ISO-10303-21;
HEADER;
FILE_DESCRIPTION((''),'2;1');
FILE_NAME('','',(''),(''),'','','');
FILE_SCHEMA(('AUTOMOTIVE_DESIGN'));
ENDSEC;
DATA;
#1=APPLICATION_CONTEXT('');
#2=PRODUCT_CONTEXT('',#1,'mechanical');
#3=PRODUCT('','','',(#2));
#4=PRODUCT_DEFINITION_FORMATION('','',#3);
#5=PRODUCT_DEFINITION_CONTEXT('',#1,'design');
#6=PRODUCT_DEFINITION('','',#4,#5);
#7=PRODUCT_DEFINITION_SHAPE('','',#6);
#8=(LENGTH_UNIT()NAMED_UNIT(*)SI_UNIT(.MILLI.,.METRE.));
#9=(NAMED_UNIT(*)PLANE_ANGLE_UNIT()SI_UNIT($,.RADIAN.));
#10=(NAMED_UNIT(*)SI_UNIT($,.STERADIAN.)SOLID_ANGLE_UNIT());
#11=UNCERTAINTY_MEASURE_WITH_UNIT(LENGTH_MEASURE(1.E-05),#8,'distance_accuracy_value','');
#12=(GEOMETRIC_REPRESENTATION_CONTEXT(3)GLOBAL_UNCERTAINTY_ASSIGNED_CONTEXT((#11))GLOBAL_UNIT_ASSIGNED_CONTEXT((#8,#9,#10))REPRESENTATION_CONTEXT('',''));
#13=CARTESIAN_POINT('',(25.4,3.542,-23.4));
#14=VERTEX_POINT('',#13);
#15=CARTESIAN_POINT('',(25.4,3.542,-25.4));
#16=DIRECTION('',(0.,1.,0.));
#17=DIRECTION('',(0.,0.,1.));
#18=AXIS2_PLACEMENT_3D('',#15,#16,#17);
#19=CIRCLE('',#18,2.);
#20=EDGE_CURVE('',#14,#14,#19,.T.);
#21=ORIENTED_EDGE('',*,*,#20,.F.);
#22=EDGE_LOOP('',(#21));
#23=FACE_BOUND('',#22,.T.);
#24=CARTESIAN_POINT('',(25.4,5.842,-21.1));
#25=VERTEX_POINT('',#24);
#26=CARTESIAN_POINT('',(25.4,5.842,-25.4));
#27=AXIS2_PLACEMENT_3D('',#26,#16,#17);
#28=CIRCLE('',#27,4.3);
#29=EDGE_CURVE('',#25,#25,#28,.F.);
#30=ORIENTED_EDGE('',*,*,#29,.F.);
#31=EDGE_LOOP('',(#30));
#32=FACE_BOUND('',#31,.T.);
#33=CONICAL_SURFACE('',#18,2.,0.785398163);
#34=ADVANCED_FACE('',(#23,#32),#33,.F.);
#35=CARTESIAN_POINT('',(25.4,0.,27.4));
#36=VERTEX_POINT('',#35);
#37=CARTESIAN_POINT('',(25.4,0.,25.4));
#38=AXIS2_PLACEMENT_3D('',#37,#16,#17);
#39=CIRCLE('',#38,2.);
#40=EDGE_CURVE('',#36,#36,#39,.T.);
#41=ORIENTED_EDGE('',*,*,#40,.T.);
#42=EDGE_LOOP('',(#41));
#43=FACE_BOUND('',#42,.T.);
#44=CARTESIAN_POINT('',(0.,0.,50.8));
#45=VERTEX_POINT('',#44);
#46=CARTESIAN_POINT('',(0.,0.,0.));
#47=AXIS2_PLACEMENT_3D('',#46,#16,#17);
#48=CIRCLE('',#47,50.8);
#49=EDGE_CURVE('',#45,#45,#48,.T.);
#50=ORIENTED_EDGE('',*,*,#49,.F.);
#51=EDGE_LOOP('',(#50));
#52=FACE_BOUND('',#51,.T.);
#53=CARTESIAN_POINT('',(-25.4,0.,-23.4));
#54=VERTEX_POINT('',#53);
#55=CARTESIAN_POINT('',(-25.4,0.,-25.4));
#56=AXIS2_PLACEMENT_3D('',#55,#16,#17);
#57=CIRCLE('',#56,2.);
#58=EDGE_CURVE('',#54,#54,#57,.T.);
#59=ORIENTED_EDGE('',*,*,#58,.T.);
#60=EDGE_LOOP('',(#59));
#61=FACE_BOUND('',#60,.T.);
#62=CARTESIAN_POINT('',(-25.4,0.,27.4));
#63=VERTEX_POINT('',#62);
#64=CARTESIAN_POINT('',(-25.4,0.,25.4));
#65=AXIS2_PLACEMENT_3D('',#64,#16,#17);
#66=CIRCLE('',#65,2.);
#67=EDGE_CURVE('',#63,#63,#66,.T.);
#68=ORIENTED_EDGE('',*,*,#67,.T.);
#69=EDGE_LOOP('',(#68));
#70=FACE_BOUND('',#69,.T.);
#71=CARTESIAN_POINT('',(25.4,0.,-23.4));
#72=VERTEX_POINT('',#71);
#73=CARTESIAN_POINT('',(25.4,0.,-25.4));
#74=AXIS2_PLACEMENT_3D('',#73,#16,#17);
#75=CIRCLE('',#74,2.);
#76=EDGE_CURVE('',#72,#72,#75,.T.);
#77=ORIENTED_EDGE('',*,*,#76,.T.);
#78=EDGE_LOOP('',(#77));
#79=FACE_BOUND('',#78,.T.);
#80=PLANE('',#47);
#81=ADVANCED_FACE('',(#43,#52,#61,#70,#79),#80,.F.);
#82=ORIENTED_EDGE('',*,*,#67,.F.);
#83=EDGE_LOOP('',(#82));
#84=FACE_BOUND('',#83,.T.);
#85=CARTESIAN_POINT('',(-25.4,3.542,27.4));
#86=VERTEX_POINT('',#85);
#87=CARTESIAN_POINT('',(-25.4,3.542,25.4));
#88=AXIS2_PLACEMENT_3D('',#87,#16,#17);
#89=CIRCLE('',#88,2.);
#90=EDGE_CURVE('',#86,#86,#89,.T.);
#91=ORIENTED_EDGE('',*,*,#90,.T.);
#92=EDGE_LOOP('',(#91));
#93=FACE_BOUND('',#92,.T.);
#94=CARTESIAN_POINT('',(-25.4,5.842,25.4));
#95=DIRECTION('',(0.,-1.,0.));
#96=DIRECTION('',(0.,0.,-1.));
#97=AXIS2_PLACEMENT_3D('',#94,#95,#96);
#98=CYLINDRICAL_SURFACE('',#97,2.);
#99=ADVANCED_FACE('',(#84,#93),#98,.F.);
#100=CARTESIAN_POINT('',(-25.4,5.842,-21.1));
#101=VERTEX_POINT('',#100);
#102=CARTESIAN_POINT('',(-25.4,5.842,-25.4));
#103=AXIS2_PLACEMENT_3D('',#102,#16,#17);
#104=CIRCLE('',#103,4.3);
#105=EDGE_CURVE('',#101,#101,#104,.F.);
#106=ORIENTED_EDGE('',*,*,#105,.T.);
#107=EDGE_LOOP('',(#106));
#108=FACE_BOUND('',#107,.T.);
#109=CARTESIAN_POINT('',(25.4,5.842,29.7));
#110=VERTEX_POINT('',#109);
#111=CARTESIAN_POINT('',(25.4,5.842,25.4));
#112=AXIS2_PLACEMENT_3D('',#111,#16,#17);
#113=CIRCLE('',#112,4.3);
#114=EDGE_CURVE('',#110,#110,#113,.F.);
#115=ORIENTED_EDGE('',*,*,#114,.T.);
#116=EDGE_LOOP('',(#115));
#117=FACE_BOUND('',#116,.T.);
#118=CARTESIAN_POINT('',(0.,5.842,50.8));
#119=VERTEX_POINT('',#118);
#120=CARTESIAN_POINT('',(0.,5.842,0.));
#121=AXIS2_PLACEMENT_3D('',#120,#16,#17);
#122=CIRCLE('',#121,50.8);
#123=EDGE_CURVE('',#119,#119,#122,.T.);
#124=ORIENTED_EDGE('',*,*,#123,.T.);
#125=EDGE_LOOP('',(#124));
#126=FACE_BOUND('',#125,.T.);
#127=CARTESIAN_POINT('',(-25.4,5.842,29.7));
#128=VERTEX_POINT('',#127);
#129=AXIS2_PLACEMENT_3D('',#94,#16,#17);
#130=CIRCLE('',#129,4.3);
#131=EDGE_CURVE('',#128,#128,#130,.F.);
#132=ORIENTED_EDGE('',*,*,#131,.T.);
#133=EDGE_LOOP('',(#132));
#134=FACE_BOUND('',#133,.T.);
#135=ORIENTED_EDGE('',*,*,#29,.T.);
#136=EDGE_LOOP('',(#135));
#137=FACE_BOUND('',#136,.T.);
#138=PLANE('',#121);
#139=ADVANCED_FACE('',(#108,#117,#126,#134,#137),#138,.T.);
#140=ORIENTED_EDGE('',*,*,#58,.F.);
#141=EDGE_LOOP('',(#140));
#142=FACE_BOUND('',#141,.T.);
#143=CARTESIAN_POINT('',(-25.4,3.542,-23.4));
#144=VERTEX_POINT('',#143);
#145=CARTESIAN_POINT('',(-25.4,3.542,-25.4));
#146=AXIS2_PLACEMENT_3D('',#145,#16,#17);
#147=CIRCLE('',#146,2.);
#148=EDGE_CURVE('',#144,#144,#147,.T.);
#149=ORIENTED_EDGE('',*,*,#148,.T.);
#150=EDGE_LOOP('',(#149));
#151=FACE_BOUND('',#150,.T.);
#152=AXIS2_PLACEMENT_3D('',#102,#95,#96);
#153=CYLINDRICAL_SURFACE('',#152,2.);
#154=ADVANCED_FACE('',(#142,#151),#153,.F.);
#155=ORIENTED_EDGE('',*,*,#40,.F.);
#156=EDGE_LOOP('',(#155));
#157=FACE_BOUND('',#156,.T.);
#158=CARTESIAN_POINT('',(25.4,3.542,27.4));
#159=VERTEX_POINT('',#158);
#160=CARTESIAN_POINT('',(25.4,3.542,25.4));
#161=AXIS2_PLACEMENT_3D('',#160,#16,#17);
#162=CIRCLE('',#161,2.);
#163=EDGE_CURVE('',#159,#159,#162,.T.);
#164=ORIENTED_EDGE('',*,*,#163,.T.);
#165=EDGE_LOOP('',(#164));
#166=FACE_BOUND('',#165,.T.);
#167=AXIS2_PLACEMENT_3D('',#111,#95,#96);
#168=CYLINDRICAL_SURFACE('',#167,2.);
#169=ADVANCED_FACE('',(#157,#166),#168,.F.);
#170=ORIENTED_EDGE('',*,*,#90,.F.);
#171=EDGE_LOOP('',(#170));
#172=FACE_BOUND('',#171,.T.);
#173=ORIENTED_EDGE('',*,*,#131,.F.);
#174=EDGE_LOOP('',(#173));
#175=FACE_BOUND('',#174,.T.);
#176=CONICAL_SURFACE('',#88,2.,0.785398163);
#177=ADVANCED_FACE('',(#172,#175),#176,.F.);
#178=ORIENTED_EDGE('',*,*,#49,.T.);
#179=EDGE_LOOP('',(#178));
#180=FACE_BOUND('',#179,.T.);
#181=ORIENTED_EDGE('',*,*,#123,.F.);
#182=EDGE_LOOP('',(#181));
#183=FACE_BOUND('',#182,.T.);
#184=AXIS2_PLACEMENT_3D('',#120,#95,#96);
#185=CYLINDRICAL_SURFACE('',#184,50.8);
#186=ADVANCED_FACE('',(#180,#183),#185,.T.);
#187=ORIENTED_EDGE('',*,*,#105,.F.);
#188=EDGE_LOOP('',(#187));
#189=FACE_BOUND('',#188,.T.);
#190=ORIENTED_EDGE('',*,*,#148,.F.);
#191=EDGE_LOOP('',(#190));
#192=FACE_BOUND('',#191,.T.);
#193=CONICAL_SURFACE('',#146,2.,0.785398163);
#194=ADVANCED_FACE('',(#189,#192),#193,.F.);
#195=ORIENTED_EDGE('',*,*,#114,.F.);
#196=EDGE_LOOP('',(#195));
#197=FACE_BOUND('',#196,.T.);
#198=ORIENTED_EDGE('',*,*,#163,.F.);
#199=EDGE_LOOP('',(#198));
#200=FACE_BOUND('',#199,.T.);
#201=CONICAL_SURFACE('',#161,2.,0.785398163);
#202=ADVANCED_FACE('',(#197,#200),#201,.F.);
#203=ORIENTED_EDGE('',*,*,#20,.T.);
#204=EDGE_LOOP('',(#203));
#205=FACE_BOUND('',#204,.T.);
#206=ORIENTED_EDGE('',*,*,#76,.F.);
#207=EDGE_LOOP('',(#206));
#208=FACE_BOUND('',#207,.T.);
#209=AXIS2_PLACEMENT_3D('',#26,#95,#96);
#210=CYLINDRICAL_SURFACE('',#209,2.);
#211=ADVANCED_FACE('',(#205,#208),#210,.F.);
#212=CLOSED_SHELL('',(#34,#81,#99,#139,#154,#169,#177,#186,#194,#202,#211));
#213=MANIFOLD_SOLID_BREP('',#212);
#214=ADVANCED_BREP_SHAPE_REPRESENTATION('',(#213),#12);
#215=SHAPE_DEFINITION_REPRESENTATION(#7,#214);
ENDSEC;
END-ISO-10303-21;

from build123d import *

# Parameters (mm, degrees)
SKETCH1_R           = 50.8
SKETCH1_R_2         = 2
BOSS_EXTRUDE1_DEPTH = 5.842
CHAMFER1_SIZE       = 2.3


with BuildPart() as part:
    # Sketch1 → Boss-Extrude1 (new body)
    with BuildSketch(Plane(origin=(0, 0, 0), x_dir=(1, 0, 0), z_dir=(0, 1, 0))):
        Circle(SKETCH1_R)
        with Locations((-25.4, 25.4)):
            Circle(SKETCH1_R_2, mode=Mode.SUBTRACT)
        with Locations((25.4, 25.4)):
            Circle(SKETCH1_R_2, mode=Mode.SUBTRACT)
        with Locations((25.4, -25.4)):
            Circle(SKETCH1_R_2, mode=Mode.SUBTRACT)
        with Locations((-25.4, -25.4)):
            Circle(SKETCH1_R_2, mode=Mode.SUBTRACT)
    extrude(amount=BOSS_EXTRUDE1_DEPTH)

    # Chamfer1
    chamfer1_edges = [part.edges().sort_by_distance(p)[0] for p in [
        (23.4, 5.842, -25.4),
        (23.4, 5.842, 25.4),
        (-27.4, 5.842, -25.4),
        (-27.4, 5.842, 25.4),
    ]]
    chamfer(chamfer1_edges, length=CHAMFER1_SIZE)


solid = part.part
